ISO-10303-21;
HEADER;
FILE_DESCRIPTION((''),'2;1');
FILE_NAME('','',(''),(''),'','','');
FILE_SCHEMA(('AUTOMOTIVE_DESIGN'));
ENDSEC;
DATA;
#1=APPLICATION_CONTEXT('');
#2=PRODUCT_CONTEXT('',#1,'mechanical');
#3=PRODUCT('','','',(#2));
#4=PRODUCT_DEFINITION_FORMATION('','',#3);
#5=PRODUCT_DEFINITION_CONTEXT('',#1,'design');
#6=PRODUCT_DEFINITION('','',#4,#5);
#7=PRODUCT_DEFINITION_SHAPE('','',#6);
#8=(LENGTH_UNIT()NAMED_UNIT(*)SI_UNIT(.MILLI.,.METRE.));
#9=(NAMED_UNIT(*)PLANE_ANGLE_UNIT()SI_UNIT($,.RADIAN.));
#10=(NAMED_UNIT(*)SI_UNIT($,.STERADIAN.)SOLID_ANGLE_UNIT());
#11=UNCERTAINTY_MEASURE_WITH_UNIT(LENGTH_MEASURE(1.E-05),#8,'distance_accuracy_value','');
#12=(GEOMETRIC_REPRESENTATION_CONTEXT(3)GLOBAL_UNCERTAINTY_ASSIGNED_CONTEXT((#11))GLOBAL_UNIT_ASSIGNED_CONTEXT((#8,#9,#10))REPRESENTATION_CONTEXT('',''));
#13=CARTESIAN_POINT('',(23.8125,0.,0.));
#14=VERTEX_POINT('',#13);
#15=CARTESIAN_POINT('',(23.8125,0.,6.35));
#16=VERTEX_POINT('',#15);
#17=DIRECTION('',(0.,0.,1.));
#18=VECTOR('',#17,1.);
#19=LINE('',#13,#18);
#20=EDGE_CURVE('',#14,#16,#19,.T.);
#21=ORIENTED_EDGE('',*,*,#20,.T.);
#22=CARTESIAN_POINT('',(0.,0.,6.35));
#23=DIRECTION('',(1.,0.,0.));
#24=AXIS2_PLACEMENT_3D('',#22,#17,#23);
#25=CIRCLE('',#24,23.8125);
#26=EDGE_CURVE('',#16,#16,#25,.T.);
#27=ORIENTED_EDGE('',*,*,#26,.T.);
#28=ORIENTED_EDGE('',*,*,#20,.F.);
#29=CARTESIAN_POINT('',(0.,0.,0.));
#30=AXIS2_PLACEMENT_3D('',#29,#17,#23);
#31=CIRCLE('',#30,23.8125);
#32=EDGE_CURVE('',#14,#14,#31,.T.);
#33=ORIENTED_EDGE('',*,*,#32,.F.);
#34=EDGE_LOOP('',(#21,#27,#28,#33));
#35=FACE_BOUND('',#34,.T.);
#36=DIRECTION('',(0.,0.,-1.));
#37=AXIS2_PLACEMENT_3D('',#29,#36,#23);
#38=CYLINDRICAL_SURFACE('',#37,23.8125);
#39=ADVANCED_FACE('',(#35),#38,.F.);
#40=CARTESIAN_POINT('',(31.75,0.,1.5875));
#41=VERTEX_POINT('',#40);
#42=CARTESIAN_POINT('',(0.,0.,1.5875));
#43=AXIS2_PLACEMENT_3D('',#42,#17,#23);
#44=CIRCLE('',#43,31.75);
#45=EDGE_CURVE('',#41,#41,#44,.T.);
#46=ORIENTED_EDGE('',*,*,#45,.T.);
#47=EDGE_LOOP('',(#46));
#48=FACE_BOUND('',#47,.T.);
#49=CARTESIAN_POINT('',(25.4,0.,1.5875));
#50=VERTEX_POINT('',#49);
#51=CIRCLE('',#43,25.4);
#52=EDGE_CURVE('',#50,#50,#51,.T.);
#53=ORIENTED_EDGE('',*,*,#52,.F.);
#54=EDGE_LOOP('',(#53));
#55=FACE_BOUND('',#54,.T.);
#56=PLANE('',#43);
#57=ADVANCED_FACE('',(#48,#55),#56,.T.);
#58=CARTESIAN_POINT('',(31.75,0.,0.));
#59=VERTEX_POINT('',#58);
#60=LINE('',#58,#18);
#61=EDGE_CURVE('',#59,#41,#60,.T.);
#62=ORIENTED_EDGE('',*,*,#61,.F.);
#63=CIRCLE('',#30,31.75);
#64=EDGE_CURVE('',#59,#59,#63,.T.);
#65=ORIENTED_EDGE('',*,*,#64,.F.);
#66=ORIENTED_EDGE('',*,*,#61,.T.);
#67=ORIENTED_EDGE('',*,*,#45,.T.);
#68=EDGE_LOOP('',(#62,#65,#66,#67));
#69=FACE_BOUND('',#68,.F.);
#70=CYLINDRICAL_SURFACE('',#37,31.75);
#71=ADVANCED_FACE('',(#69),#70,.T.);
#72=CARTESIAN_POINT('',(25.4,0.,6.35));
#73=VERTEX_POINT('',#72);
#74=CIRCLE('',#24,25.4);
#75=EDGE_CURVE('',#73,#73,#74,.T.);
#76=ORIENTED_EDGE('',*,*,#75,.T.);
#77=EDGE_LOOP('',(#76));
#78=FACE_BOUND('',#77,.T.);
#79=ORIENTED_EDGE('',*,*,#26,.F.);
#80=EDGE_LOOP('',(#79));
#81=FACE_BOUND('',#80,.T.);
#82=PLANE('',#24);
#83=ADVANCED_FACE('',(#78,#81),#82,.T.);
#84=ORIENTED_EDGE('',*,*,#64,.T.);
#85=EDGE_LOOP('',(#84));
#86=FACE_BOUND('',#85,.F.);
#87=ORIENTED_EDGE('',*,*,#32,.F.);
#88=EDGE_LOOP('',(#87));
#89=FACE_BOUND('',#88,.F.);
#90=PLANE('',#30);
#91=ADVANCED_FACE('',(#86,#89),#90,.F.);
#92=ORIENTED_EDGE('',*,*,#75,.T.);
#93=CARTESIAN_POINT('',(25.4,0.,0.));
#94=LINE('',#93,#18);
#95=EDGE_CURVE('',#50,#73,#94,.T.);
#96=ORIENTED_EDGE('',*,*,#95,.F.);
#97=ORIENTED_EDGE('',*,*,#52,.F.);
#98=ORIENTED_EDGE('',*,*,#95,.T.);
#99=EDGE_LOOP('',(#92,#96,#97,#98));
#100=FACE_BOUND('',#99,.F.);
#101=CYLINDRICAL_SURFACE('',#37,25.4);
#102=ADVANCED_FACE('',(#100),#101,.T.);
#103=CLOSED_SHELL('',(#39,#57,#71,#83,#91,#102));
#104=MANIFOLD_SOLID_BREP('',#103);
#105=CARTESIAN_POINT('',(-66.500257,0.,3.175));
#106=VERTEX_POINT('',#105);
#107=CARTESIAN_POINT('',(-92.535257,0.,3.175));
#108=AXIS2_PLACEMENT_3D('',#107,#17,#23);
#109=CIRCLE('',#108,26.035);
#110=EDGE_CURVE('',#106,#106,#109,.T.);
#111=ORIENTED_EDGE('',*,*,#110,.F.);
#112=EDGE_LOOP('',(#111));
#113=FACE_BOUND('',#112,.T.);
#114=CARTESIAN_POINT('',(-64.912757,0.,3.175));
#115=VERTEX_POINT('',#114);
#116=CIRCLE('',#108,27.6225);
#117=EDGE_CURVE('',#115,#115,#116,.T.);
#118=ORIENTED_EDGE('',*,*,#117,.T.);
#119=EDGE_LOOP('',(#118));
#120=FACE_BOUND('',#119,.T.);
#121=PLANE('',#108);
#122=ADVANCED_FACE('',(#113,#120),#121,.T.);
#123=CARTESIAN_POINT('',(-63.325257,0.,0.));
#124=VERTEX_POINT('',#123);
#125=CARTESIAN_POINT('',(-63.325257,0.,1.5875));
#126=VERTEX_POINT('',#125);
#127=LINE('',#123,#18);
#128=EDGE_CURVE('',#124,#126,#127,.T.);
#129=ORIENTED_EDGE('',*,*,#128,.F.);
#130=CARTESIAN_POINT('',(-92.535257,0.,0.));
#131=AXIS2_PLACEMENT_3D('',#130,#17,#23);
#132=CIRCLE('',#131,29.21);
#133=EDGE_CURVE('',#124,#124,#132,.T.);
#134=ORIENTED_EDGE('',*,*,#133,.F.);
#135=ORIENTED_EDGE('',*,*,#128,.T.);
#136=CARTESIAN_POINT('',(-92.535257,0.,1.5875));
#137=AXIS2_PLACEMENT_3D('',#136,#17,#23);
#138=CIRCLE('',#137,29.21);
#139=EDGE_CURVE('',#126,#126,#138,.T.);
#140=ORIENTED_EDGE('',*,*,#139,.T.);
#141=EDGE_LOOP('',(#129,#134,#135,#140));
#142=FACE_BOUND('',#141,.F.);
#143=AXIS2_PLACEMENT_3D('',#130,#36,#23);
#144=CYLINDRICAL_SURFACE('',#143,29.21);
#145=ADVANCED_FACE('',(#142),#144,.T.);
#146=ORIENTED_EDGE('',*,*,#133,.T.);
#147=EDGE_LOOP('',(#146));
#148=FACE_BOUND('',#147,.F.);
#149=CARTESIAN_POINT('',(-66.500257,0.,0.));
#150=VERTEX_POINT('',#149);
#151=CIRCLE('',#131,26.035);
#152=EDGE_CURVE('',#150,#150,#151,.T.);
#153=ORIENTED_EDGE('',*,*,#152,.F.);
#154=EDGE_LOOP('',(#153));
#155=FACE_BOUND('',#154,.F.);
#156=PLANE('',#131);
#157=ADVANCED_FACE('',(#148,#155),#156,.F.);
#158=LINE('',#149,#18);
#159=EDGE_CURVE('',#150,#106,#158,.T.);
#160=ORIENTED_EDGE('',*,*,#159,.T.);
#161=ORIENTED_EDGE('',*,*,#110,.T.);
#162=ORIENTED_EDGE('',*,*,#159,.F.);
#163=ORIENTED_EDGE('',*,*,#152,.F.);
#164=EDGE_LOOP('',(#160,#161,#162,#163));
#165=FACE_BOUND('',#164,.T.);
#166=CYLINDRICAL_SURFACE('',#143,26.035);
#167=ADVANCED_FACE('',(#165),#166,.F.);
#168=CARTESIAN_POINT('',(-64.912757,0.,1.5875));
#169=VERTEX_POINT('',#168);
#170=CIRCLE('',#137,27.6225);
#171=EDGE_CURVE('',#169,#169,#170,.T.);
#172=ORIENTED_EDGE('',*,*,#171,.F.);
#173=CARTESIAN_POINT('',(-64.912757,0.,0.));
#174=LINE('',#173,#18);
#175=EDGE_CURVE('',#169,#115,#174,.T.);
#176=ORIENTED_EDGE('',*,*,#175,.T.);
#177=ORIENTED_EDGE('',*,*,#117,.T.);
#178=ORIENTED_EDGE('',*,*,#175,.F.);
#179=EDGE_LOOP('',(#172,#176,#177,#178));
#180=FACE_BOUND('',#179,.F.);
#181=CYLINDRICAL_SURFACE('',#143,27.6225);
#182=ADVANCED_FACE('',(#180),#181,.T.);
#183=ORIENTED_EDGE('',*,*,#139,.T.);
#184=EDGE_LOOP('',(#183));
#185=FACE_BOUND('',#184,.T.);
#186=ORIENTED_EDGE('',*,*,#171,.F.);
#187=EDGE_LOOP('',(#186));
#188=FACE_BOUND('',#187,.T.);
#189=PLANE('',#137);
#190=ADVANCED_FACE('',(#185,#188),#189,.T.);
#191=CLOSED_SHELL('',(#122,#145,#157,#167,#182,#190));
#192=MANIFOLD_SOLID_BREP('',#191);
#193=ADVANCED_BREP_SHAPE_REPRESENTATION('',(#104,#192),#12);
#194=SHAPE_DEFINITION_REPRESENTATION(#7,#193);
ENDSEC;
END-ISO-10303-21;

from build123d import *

# Parameters (mm, degrees)
F0_R     = 31.75
F0_R_2   = 25.4
F1_DEPTH = 1.5875
F0_R_3   = 23.8125
F2_DEPTH = 6.35
F3_R     = 27.6225
F3_R_2   = 26.035
F4_DEPTH = 3.175
F3_R_3   = 29.21
F5_DEPTH = 1.5875


with BuildPart() as f1:
    # F0 (on Top) → F1 (new body)
    with BuildSketch(Plane.XY):
        Circle(F0_R)
        Circle(F0_R_2, mode=Mode.SUBTRACT)
    extrude(amount=F1_DEPTH)

    # F0 (on Top) → F2 (join)
    with BuildSketch(Plane.XY):
        Circle(F0_R_2)
        Circle(F0_R_3, mode=Mode.SUBTRACT)
    extrude(amount=F2_DEPTH)


with BuildPart() as f4:
    # F3 (on Top) → F4 (new body)
    with BuildSketch(Plane.XY):
        with Locations((-92.535257, 0)):
            Circle(F3_R)
        with Locations((-92.535257, 0)):
            Circle(F3_R_2, mode=Mode.SUBTRACT)
    extrude(amount=F4_DEPTH)

    # F3 (on Top) → F5 (join)
    with BuildSketch(Plane.XY):
        with Locations((-92.535257, 0)):
            Circle(F3_R_3)
        with Locations((-92.535257, 0)):
            Circle(F3_R, mode=Mode.SUBTRACT)
    extrude(amount=F5_DEPTH)


solid = Compound([f1.part, f4.part])
